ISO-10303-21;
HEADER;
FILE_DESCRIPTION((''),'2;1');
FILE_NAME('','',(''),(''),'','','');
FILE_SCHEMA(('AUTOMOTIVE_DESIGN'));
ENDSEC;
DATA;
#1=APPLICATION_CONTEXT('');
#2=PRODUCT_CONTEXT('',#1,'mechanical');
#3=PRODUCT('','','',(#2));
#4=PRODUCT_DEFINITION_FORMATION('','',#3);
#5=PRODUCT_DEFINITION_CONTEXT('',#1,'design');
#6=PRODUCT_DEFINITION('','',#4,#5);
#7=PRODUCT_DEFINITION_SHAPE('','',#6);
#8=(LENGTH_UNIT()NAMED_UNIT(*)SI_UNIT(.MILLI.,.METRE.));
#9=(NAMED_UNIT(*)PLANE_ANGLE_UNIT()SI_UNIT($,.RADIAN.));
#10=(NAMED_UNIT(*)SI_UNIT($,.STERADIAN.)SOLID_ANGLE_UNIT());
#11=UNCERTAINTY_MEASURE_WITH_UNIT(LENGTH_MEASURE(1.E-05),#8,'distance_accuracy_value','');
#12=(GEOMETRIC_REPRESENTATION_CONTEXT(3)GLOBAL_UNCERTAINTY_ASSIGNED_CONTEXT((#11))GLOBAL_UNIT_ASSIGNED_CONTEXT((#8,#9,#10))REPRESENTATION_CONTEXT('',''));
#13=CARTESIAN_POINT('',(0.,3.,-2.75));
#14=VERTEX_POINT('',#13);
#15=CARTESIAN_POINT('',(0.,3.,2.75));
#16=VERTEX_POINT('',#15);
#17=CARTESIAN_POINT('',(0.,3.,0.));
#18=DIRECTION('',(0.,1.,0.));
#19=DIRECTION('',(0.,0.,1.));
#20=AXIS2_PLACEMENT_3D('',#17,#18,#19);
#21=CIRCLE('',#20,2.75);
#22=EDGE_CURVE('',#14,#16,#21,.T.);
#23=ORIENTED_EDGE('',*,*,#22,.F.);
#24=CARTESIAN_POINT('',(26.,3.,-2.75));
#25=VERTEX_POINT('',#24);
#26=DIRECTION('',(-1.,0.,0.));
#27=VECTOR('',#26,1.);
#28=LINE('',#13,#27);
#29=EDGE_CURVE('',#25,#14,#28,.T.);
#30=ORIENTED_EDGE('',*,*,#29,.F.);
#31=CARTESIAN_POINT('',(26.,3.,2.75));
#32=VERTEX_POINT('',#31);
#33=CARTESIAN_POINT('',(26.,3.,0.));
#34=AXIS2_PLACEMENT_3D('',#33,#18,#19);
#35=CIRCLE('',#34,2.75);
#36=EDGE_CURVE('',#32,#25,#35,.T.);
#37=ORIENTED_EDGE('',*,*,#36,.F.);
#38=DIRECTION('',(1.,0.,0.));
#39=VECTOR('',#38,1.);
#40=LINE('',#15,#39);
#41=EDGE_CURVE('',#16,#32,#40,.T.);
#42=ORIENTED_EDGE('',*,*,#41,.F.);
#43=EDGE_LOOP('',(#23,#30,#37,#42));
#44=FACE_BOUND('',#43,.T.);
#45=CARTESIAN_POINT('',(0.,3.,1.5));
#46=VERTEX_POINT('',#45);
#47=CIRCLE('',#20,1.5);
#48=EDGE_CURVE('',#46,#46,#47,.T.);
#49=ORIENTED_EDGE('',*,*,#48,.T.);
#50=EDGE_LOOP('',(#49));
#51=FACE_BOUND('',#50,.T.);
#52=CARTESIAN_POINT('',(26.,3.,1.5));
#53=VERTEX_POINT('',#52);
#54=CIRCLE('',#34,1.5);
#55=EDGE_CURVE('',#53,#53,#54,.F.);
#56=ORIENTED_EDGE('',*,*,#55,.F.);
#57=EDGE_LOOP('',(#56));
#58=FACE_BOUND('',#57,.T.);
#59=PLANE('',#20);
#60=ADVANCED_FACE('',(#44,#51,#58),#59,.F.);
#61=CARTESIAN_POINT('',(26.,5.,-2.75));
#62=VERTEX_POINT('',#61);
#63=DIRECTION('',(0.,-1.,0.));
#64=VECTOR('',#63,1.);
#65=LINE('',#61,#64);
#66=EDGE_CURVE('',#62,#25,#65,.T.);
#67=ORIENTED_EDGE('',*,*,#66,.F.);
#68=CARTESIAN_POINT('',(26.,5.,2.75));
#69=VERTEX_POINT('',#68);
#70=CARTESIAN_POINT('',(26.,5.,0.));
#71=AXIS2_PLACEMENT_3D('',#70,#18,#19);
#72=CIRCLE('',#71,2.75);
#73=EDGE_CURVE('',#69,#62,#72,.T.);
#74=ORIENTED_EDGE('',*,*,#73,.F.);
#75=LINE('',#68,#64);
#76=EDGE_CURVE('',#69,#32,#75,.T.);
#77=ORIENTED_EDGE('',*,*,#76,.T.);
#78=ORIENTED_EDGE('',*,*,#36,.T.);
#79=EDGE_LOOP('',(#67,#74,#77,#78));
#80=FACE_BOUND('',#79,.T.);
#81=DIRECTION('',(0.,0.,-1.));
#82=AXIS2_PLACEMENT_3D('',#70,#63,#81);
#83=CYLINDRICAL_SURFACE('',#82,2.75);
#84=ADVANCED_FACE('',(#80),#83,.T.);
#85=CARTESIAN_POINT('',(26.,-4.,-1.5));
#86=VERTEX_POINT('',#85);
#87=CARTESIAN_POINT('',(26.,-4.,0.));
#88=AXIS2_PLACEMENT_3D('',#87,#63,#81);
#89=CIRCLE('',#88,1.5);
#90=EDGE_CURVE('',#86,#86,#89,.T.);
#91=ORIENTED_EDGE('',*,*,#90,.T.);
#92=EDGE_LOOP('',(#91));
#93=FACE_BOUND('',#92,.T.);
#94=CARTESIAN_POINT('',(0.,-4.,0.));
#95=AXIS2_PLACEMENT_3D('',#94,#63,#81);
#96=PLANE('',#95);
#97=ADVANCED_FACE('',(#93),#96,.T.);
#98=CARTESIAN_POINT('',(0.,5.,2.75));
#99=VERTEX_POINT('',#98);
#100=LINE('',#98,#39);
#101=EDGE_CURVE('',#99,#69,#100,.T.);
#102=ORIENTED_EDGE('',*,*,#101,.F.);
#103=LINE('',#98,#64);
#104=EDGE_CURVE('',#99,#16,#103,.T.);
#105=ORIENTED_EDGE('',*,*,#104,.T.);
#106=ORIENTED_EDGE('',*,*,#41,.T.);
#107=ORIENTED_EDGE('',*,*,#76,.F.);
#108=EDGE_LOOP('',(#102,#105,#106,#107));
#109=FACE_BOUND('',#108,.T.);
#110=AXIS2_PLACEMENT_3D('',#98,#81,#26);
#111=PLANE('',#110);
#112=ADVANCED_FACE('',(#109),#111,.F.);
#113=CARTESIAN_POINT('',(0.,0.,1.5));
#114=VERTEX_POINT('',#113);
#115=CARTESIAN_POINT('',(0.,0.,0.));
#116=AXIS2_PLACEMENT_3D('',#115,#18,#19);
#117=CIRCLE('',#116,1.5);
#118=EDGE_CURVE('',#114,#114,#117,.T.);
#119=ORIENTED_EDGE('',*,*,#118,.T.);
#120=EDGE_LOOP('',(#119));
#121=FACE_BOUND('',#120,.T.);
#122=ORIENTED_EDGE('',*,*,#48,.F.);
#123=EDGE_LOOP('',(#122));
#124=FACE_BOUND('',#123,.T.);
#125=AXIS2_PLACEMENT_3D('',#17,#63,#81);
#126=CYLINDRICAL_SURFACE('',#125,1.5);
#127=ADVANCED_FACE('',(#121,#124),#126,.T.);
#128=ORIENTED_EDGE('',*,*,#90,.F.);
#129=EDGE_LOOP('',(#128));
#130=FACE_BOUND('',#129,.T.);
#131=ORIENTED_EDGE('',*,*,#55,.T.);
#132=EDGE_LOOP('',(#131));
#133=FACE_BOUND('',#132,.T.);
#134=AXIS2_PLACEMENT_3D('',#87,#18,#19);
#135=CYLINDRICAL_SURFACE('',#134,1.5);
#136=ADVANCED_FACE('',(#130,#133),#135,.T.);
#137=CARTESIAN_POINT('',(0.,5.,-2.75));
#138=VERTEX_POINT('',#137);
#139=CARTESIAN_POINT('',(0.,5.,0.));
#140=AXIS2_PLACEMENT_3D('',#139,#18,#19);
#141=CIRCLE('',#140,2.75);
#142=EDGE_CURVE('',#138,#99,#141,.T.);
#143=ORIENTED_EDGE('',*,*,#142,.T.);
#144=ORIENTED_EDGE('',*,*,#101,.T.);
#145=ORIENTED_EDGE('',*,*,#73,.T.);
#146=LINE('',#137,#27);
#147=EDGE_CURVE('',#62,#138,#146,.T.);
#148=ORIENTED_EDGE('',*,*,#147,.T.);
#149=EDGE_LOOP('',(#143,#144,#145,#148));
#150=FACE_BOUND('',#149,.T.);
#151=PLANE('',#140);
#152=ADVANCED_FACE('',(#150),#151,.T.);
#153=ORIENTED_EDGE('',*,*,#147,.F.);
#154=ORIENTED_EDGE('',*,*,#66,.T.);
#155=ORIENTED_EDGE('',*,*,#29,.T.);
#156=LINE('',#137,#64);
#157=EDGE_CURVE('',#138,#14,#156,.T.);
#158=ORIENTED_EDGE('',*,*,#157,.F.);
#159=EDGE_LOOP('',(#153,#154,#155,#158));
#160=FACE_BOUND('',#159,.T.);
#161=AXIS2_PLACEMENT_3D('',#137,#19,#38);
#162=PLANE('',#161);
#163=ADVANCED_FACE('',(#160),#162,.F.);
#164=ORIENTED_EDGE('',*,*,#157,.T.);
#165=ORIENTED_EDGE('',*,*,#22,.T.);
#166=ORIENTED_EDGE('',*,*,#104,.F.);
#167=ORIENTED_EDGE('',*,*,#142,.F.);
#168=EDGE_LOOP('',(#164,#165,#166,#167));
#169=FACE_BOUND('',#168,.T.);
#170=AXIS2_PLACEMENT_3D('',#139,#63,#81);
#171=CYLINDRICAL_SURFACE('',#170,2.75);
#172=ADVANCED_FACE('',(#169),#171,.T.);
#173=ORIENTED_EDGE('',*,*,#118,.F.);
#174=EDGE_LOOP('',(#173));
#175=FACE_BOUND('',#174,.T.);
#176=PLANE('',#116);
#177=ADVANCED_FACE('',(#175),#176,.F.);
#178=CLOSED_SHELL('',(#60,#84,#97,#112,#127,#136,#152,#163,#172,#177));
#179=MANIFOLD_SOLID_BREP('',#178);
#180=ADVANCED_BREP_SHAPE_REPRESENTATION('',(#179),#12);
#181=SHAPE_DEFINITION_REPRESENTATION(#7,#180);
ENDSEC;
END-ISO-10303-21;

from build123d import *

# Parameters (mm, degrees)
SKETCH1_R           = 1.5
BOSS_EXTRUDE1_DEPTH = 3
BOSS_EXTRUDE2_DEPTH = 2
SKETCH3_R           = 1.5
BOSS_EXTRUDE3_DEPTH = 7


with BuildPart() as part:
    # Sketch1 → Boss-Extrude1 (new body)
    with BuildSketch(Plane(origin=(0, 0, 0), x_dir=(1, 0, 0), z_dir=(0, 1, 0))):
        with Locations(Location((0, 0, 0), (0, 0, 270))):
            Circle(SKETCH1_R)
    extrude(amount=BOSS_EXTRUDE1_DEPTH)

    # Sketch2 → Boss-Extrude2 (add)
    with BuildSketch(Plane(origin=(0, 3, 0), x_dir=(1, 0, 0), z_dir=(0, 1, 0))):
        with BuildLine():
            Line((0, 2.75), (26, 2.75))
            ThreePointArc((26, 2.75), (28.75, 0), (26, -2.75))
            Line((26, -2.75), (0, -2.75))
            ThreePointArc((0, -2.75), (-2.75, 0), (0, 2.75))
        make_face()
    extrude(amount=BOSS_EXTRUDE2_DEPTH)

    # Sketch3 → Boss-Extrude3 (add)
    with BuildSketch(Plane.XZ.offset(-3)):
        with Locations(Location((26, 0, 0), (0, 0, 90))):
            Circle(SKETCH3_R)
    extrude(amount=BOSS_EXTRUDE3_DEPTH)


solid = part.part
